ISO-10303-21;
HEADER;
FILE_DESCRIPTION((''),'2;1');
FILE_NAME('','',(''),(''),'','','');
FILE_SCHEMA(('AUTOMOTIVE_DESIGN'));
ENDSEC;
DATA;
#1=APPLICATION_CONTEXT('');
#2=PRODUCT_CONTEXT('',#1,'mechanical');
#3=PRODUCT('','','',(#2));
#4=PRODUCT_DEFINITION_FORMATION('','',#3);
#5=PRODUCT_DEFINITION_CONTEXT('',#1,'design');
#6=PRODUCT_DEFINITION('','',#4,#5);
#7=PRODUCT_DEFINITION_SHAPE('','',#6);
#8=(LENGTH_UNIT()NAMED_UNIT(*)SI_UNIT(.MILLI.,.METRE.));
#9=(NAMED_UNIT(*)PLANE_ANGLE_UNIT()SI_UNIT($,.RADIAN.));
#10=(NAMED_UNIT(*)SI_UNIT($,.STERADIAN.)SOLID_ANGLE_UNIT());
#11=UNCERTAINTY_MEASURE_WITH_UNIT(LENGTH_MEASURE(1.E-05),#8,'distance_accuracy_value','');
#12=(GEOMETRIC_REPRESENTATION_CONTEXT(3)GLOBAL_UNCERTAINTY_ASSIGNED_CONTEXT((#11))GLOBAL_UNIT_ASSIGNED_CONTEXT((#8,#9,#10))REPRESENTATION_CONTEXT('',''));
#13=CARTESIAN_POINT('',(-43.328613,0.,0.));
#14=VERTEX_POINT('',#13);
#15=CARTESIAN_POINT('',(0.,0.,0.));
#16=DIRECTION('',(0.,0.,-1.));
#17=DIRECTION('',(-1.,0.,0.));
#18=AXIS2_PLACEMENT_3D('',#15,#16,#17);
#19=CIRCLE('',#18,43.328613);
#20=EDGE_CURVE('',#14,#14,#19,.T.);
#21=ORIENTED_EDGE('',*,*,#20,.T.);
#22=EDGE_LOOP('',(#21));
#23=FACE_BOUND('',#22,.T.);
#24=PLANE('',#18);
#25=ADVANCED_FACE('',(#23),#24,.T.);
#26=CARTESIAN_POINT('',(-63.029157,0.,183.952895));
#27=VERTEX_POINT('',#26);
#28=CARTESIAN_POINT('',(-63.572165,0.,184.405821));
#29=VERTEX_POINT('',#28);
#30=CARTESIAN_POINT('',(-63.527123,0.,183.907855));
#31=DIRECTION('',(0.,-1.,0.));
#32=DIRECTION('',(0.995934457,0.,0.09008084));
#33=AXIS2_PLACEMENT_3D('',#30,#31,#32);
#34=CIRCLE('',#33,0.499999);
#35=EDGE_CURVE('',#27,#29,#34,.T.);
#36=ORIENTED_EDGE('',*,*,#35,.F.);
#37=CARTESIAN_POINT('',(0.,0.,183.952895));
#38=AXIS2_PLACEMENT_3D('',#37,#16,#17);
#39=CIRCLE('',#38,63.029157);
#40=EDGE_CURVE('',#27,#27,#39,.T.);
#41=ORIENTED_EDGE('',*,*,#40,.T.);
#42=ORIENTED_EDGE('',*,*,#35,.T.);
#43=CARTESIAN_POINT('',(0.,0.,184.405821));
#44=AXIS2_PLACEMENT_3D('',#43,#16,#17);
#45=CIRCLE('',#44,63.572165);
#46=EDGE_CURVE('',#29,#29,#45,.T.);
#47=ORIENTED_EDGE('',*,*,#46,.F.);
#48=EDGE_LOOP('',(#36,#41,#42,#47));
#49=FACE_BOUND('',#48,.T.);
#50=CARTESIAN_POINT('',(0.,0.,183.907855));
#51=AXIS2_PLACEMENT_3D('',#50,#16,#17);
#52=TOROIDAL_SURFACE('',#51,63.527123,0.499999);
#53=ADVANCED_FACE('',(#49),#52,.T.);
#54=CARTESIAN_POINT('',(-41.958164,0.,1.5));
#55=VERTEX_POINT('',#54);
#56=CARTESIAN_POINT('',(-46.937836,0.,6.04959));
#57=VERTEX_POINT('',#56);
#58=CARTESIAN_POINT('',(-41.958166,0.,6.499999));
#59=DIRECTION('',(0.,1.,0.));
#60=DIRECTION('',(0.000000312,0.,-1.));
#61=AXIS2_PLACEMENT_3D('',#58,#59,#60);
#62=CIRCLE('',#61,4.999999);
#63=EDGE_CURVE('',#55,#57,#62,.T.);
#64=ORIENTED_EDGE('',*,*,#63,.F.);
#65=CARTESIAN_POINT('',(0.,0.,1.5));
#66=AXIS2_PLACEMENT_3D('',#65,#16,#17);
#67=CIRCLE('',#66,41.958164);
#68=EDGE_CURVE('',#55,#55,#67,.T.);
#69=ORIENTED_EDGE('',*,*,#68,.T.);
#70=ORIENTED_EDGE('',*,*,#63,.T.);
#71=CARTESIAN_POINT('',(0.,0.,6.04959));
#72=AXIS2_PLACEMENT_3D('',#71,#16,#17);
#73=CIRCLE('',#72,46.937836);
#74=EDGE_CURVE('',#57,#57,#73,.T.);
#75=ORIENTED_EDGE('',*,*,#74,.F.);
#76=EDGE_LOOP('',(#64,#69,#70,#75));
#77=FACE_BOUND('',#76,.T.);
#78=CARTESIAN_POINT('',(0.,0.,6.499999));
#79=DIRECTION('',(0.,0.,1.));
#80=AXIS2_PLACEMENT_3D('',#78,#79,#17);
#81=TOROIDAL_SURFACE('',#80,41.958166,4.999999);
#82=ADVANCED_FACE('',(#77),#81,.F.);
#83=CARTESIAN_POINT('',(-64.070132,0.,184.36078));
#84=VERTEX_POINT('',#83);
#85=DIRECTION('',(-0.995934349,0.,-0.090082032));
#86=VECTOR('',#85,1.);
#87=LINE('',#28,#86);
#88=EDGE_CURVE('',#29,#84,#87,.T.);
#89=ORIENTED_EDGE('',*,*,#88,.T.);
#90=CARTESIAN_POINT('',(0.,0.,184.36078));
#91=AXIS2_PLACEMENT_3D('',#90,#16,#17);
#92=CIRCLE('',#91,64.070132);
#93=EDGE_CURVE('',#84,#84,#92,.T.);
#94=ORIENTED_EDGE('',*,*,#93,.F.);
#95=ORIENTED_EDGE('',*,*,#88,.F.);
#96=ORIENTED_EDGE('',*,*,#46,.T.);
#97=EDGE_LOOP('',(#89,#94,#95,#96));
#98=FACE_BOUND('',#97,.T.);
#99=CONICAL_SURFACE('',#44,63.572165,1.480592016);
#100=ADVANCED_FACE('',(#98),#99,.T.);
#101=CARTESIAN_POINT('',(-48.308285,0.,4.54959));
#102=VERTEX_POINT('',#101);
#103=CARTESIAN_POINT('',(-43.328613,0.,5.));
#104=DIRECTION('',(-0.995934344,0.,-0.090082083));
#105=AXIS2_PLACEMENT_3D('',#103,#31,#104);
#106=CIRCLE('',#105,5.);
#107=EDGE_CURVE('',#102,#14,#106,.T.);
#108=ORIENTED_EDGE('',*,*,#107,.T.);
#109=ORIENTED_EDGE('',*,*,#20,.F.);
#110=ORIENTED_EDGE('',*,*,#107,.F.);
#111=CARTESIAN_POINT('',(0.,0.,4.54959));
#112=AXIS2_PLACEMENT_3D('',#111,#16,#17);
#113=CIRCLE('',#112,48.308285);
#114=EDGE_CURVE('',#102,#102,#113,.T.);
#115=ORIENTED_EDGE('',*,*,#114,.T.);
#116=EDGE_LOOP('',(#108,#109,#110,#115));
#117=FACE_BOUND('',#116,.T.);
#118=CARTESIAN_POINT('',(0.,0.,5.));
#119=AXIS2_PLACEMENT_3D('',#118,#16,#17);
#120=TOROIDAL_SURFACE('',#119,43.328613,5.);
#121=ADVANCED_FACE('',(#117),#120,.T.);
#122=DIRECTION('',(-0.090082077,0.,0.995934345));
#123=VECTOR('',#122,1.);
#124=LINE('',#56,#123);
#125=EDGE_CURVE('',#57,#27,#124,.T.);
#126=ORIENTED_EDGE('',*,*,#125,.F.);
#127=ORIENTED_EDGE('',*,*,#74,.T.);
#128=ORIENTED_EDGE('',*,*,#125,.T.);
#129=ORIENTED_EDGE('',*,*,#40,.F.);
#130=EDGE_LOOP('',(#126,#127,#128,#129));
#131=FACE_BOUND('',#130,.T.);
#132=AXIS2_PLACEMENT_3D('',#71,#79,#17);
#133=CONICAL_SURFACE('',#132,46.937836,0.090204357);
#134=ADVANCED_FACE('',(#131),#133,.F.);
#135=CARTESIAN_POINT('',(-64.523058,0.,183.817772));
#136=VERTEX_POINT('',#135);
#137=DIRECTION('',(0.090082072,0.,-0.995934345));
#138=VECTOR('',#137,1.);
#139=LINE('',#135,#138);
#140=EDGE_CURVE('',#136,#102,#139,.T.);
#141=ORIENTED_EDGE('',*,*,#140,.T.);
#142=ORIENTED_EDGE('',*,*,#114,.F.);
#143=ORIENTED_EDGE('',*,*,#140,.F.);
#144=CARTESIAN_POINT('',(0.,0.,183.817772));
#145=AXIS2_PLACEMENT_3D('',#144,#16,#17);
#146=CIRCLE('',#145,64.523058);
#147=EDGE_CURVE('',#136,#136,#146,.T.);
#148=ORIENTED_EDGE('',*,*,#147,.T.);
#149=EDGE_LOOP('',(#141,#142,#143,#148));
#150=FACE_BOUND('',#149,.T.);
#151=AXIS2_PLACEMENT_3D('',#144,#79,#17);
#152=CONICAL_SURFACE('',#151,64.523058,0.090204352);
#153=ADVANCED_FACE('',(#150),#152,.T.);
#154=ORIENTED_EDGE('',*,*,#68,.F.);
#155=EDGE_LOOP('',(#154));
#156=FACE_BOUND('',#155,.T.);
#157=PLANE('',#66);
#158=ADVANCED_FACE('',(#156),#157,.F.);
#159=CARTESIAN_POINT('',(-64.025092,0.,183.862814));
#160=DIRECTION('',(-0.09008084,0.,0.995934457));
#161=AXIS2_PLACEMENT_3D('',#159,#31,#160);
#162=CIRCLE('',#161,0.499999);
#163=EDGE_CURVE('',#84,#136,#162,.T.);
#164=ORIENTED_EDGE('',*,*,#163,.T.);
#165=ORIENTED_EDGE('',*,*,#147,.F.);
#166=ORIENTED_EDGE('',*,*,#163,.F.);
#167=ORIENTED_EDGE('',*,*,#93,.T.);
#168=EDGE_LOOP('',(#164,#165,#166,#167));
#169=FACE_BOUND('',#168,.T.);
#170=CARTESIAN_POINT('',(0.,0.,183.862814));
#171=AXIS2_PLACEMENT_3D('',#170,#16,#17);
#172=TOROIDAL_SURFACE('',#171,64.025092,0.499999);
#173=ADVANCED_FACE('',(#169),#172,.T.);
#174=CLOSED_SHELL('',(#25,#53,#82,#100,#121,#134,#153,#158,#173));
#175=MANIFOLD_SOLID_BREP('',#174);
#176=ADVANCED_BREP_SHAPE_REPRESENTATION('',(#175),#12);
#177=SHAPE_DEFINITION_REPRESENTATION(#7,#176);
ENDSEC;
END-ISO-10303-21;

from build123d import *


with BuildPart() as f1:
    # F0 (on Front) → F1 (revolve)
    with BuildSketch(Plane.XZ):
        with BuildLine():
            Line((-43.328613, 0), (0, 0))
            Line((0, 0), (0, 1.5))
            Line((0, 1.5), (-41.958164, 1.5))
            ThreePointArc((-41.958164, 1.5), (-45.330697, 2.808655), (-46.937836, 6.04959))
            Line((-46.937836, 6.04959), (-63.029157, 183.952895))
            ThreePointArc((-63.029157, 183.952895), (-63.206857, 184.291819), (-63.572165, 184.405821))
            Line((-63.572165, 184.405821), (-64.070132, 184.36078))
            ThreePointArc((-64.070132, 184.36078), (-64.409056, 184.18308), (-64.523058, 183.817772))
            Line((-64.523058, 183.817772), (-48.308285, 4.54959))
            ThreePointArc((-48.308285, 4.54959), (-46.701145, 1.308655), (-43.328613, 0))
        make_face()
    revolve(axis=Axis((0, 0, 0.75), (0, 0, -1)))


solid = f1.part
